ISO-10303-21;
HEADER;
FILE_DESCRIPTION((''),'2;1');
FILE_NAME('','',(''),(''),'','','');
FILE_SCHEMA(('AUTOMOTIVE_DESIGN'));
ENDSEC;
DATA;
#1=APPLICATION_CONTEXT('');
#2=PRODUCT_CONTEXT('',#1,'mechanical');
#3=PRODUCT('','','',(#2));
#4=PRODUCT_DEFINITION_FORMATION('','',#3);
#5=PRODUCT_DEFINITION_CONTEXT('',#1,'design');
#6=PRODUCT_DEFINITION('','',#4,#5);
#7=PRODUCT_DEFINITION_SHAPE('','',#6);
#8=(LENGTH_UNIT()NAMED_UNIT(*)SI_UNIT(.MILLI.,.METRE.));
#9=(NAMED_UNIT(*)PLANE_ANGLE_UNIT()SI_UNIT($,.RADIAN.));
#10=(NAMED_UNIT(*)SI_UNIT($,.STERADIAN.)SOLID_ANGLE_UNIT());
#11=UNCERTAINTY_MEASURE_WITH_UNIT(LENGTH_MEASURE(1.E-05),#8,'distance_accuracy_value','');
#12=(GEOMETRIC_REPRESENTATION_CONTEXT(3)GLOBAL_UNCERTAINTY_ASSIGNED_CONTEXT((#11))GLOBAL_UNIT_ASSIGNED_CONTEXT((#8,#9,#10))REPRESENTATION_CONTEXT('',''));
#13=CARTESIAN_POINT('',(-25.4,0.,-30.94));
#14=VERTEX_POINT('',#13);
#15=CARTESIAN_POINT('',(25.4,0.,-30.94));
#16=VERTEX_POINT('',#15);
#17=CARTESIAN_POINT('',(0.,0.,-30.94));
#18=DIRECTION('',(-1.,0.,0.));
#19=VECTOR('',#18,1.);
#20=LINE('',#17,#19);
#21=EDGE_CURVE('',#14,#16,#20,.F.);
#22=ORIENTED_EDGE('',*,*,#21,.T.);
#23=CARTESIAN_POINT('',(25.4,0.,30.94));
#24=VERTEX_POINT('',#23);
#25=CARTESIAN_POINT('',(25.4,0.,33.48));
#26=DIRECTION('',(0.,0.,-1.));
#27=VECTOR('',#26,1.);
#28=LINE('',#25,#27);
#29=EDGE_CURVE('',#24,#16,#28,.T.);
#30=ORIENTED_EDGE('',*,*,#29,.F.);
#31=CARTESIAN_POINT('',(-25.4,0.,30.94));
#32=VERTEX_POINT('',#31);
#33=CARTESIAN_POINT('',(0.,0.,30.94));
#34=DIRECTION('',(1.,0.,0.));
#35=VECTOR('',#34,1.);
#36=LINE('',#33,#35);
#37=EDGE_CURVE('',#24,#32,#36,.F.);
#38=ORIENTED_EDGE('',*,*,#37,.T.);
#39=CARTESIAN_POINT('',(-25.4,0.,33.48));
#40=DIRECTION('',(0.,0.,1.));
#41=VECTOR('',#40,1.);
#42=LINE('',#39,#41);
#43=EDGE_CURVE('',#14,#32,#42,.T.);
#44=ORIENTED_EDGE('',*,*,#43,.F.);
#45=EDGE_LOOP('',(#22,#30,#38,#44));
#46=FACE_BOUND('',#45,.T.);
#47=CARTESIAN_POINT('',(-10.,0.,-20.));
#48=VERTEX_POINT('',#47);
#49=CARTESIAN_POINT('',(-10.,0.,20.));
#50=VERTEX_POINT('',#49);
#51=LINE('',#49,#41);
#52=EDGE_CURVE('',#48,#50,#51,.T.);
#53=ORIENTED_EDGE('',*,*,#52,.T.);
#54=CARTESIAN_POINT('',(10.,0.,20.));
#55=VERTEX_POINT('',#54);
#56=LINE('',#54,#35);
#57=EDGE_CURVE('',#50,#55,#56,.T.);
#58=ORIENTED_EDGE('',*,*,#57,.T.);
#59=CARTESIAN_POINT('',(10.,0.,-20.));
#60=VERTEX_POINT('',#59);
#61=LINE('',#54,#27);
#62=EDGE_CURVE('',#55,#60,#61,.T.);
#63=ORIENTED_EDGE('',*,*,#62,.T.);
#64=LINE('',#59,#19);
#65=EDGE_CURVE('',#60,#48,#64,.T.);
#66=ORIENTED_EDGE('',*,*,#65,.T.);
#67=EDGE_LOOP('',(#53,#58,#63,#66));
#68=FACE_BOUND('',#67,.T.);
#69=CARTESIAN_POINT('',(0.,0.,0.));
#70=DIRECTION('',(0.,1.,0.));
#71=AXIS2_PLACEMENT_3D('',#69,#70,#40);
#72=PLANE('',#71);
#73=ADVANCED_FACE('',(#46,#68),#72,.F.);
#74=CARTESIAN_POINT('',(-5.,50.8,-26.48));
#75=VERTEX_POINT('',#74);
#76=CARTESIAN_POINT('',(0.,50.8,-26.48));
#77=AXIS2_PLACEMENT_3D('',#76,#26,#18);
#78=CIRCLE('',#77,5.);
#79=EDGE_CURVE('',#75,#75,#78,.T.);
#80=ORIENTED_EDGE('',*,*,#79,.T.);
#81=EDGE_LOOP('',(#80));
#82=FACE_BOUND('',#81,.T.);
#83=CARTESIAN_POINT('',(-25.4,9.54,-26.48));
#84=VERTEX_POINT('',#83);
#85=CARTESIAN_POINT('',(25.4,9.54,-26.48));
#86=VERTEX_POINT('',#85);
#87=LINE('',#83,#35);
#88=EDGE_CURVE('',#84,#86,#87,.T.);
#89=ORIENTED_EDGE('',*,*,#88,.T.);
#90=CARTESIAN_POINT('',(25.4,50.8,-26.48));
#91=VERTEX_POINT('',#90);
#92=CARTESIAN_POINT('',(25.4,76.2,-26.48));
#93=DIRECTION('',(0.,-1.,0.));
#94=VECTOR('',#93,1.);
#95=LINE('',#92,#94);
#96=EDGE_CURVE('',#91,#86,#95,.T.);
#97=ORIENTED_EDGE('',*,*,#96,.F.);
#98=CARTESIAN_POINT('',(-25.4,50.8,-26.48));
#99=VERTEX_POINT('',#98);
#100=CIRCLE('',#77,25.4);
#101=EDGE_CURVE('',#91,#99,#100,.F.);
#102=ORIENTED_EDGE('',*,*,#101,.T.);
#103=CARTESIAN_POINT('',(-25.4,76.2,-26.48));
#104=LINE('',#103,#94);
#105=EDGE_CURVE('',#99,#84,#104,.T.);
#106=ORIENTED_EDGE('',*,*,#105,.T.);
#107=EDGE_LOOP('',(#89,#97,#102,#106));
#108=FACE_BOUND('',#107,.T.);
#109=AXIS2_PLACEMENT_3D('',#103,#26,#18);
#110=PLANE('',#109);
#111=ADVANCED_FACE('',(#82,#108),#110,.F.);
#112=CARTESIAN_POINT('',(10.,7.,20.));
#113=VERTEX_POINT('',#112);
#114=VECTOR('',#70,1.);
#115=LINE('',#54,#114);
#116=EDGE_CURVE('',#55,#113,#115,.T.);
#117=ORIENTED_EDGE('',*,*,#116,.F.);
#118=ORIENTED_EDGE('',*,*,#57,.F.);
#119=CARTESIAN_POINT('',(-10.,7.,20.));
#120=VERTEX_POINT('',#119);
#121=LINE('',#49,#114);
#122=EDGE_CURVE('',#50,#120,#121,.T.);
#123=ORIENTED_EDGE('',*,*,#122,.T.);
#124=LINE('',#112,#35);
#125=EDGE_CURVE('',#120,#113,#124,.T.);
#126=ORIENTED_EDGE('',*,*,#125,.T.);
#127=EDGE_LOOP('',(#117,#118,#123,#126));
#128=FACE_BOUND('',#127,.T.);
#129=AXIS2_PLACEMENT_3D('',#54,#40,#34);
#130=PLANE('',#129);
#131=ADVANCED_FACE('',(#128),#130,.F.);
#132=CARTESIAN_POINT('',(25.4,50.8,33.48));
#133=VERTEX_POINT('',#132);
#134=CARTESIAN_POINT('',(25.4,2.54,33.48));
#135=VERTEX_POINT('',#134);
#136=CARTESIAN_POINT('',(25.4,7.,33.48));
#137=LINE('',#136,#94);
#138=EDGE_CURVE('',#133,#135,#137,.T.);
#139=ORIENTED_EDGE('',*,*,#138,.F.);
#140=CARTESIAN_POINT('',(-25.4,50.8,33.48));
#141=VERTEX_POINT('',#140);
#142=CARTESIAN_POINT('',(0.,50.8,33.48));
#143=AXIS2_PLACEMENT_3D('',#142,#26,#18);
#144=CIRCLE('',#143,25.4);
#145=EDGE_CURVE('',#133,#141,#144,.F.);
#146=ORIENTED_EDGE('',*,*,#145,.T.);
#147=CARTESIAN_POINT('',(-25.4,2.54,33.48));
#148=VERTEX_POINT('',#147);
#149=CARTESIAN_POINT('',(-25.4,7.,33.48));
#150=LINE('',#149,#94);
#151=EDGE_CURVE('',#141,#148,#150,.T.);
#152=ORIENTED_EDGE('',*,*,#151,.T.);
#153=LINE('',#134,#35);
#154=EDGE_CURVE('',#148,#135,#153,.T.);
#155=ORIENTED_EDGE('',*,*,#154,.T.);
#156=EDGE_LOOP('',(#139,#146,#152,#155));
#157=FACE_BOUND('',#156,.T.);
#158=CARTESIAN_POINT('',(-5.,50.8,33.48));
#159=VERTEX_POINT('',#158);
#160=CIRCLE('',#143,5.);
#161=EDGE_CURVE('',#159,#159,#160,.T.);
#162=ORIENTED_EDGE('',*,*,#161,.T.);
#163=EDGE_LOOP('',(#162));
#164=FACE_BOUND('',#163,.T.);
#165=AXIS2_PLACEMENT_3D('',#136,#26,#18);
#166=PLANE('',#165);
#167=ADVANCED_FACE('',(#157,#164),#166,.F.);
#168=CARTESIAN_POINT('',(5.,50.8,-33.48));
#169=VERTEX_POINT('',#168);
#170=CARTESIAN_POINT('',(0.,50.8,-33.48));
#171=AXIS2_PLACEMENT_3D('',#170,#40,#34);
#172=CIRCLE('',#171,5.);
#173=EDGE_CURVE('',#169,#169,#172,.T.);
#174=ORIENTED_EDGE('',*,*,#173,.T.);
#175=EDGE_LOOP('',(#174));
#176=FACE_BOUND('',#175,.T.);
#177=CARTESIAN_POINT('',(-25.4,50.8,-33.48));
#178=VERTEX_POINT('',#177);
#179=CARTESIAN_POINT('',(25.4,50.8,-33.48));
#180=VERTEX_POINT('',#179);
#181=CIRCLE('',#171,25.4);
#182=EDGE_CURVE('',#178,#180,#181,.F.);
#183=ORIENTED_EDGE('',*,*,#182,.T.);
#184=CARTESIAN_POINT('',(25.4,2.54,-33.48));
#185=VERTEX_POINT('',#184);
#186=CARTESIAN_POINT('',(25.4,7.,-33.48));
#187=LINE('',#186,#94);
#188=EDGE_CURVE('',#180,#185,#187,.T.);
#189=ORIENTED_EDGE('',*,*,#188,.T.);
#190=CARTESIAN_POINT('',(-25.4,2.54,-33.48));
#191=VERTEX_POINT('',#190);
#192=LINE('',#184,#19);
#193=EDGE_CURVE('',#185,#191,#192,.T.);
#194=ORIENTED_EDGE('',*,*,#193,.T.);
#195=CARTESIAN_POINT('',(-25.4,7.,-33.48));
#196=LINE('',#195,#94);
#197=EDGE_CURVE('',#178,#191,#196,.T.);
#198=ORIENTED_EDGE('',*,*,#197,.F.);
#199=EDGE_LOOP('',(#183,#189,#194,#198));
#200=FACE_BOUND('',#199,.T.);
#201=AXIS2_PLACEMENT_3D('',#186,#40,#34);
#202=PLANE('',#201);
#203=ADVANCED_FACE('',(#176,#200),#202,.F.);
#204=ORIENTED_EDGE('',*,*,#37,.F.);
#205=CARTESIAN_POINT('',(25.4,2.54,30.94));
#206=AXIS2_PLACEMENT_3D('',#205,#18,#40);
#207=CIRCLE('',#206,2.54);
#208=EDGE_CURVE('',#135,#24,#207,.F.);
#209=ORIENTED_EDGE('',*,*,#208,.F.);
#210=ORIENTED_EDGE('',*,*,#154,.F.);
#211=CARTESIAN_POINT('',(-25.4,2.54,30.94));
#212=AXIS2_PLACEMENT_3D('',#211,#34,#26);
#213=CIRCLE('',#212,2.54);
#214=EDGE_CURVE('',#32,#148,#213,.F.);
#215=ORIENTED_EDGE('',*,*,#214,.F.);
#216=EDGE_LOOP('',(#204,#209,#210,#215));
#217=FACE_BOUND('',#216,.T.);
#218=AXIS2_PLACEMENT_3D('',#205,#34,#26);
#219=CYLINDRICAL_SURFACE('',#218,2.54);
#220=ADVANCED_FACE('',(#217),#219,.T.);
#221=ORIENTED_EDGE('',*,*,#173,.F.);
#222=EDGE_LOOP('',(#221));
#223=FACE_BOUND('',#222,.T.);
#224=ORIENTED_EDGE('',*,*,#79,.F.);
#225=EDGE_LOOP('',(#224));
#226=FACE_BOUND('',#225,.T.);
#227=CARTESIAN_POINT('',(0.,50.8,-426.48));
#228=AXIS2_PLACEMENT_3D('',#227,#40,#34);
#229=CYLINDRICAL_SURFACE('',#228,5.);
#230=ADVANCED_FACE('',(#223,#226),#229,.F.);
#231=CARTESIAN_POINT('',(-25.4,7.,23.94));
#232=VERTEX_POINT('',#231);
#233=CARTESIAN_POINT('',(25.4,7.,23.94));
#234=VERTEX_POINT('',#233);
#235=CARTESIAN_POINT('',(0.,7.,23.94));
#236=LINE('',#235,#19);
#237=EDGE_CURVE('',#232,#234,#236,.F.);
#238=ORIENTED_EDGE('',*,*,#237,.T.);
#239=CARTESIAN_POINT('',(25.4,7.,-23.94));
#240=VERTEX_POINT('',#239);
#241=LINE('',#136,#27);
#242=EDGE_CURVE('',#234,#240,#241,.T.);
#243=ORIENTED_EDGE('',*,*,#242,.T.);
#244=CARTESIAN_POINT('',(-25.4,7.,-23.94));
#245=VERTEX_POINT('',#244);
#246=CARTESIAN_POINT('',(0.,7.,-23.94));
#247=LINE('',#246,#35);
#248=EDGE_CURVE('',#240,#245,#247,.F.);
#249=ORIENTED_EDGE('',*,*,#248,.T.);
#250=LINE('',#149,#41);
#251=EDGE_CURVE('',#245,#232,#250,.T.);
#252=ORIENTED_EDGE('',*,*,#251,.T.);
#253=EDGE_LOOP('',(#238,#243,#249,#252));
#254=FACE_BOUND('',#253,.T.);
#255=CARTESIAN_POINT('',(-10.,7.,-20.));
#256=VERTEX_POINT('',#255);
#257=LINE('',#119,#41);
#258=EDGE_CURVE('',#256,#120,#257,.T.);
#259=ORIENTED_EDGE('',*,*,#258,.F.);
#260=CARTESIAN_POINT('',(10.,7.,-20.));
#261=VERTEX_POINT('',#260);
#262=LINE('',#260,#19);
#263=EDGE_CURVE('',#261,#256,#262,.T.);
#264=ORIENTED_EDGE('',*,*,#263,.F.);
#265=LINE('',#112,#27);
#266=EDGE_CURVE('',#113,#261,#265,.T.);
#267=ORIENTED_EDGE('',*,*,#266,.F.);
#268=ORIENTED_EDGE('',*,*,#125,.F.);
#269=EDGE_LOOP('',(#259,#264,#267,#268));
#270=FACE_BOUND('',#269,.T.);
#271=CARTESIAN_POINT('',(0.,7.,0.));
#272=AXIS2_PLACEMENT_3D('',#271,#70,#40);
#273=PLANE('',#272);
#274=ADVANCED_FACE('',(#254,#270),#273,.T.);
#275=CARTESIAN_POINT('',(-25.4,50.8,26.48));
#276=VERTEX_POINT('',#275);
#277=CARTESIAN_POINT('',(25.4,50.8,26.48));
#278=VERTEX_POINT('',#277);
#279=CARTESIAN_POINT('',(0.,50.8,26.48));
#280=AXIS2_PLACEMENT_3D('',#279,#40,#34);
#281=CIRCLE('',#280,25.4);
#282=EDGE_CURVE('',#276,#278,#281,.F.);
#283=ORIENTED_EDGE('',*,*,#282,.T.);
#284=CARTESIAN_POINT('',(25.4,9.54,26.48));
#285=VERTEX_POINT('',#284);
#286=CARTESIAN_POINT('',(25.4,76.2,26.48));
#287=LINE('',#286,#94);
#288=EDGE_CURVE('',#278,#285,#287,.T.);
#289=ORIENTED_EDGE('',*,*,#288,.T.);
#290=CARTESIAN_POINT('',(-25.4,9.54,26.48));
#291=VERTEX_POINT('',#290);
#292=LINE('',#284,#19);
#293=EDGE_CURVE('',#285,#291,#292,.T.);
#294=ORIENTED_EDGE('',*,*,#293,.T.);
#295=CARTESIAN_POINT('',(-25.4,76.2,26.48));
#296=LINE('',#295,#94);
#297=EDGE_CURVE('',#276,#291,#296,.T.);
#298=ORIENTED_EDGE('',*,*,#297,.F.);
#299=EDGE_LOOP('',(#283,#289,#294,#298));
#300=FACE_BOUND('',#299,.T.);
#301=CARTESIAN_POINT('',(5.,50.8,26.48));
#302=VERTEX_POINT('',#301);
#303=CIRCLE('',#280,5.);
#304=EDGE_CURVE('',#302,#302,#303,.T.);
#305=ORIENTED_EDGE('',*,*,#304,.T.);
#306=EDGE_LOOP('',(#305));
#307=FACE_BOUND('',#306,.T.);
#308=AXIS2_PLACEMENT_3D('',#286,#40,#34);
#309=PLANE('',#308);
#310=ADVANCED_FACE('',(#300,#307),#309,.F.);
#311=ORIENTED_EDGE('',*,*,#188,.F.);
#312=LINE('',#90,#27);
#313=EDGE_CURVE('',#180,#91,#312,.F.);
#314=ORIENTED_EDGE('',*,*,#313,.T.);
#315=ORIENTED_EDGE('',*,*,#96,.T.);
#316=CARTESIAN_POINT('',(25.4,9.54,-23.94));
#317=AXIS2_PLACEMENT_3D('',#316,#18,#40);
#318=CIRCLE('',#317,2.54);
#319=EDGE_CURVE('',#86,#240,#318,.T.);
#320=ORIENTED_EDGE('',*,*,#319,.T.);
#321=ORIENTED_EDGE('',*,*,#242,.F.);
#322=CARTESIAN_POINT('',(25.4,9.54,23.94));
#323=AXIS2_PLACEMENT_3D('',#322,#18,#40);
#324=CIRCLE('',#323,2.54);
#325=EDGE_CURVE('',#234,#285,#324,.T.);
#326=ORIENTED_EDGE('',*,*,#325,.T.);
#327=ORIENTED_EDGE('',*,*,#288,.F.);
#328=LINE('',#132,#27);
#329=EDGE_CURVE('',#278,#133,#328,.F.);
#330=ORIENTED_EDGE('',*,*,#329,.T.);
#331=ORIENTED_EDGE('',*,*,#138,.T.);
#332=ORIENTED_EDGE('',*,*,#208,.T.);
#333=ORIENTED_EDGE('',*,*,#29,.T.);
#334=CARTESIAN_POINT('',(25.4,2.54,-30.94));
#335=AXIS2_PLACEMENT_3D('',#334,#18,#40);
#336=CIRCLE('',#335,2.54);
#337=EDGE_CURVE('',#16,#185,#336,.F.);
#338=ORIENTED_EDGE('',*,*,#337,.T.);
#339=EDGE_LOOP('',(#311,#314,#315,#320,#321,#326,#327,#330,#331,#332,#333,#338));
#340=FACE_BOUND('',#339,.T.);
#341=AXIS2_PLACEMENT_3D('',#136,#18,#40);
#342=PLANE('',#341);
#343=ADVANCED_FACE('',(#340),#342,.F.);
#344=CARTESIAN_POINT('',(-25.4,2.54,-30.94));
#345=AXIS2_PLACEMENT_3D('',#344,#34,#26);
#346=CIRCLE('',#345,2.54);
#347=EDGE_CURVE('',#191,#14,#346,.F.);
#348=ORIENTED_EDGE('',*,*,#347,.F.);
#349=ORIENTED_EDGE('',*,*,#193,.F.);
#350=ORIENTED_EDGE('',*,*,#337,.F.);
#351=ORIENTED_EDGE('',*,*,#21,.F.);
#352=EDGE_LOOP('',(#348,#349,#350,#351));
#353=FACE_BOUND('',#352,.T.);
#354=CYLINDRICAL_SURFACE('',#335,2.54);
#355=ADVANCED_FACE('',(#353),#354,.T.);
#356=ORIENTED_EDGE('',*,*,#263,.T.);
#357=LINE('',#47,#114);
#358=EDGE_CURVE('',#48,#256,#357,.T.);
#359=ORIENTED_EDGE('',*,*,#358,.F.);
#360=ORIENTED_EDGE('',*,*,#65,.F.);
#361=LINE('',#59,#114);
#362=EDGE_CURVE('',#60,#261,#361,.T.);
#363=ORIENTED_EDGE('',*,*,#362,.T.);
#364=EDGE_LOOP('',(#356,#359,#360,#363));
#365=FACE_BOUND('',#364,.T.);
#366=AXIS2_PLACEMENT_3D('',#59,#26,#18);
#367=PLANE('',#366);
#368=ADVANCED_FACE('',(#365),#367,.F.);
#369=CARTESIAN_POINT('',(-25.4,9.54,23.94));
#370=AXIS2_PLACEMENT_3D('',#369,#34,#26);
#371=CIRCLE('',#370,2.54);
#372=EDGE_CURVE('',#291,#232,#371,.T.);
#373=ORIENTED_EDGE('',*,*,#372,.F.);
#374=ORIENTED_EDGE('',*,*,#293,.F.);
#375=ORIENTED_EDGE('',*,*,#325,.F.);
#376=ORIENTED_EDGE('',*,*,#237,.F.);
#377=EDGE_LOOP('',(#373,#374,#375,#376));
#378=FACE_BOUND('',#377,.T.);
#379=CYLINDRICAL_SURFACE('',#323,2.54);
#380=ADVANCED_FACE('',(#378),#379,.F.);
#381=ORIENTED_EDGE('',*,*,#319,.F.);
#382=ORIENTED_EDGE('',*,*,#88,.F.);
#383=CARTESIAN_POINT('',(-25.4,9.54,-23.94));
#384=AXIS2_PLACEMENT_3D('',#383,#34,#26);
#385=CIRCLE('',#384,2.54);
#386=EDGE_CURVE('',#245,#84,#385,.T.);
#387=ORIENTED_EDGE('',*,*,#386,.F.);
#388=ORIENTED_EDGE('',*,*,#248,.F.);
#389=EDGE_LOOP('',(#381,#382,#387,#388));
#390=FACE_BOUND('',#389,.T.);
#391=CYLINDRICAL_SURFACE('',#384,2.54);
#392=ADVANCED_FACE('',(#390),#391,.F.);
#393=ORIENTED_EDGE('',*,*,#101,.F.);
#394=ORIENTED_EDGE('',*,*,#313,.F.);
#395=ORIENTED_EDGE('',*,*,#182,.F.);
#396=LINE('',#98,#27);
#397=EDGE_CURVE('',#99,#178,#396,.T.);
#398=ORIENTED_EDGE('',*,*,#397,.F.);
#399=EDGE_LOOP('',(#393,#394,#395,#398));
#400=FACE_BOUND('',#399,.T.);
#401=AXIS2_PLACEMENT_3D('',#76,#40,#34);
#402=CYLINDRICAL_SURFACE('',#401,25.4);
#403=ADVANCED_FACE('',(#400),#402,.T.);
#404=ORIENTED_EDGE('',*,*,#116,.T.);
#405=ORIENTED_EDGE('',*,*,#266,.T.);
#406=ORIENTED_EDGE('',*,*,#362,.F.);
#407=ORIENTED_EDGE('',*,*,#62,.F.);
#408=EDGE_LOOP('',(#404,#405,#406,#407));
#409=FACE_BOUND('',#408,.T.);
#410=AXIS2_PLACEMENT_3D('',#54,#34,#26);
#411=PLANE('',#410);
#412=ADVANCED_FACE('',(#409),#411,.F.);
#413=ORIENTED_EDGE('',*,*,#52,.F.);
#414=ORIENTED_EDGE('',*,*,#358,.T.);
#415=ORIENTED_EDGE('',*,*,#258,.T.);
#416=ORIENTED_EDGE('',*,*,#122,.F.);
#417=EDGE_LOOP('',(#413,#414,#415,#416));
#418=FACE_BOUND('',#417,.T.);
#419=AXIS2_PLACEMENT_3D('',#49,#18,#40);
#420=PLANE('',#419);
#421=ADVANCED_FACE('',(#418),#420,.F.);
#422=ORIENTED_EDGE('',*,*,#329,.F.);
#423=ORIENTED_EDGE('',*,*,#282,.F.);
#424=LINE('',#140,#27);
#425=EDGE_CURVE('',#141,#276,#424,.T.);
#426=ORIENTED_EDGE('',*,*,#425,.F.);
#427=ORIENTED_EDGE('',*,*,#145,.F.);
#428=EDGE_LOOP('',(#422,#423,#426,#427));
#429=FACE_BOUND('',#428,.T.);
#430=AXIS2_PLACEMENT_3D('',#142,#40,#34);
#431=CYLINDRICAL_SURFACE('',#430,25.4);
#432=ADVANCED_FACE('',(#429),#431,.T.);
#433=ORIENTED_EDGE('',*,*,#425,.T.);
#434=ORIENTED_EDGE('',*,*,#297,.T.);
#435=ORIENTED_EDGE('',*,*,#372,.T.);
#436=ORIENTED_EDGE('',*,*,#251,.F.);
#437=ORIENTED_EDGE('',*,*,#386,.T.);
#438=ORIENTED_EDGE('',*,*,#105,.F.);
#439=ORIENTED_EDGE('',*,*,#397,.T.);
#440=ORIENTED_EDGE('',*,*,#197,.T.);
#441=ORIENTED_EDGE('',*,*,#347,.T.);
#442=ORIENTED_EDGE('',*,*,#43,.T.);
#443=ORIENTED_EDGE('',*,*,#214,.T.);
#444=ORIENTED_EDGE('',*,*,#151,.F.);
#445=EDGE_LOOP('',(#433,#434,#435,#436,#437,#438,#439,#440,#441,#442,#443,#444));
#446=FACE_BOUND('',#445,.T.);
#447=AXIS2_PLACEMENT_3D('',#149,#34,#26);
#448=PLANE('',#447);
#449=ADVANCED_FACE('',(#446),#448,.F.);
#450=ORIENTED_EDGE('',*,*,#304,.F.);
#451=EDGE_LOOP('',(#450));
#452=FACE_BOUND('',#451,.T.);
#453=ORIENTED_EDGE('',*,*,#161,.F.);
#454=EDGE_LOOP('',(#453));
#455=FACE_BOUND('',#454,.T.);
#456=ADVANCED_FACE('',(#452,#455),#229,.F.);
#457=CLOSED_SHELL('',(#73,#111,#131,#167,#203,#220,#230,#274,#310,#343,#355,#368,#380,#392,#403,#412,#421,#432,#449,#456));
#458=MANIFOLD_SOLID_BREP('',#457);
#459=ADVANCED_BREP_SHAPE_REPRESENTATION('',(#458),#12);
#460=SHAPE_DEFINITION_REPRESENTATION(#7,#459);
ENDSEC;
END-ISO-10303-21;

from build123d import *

# Parameters (mm, degrees)
SKETCH1_W           = 50.8
SKETCH1_H           = 66.96
BOSS_EXTRUDE1_DEPTH = 7
SKETCH2_W           = 20
SKETCH2_H           = 40
CUT_EXTRUDE1_DEPTH  = 7
SKETCH3_W           = 50.8
SKETCH3_H           = 7
BOSS_EXTRUDE2_DEPTH = 69.2
FILLET2_RADIUS      = 25.4
FILLET2_LENGTH      = 7
FILLET3_RADIUS      = 25.4
FILLET3_LENGTH      = 7
SKETCH4_R           = 5
CUT_EXTRUDE2_DEPTH  = 400
FILLET5_R           = 2.54


with BuildPart() as part:
    # Sketch1 → Boss-Extrude1 (new body)
    with BuildSketch(Plane(origin=(0, 0, 0), x_dir=(1, 0, 0), z_dir=(0, 1, 0))):
        Rectangle(SKETCH1_W, SKETCH1_H)
    extrude(amount=BOSS_EXTRUDE1_DEPTH)

    # Sketch2 → Cut-Extrude1 (cut)
    with BuildSketch(Plane(origin=(0, 7, 0), x_dir=(1, 0, 0), z_dir=(0, 1, 0))):
        Rectangle(SKETCH2_W, SKETCH2_H)
    extrude(amount=-CUT_EXTRUDE1_DEPTH, mode=Mode.SUBTRACT)

    # Sketch3 → Boss-Extrude2 (add)
    with BuildSketch(Plane(origin=(0, 7, 0), x_dir=(1, 0, 0), z_dir=(0, 1, 0))):
        with Locations((0, 29.98)):
            Rectangle(SKETCH3_W, SKETCH3_H)
        with Locations((0, -29.98)):
            Rectangle(SKETCH3_W, SKETCH3_H)
    extrude(amount=BOSS_EXTRUDE2_DEPTH)

    # Fillet2: full round fillet: the end face becomes a half cylinder, R = half its width
    fillet2_face = Plane((0, 76.2, -29.98), x_dir=(0, 0, 1), z_dir=(0, 1, 0))  # on the end face: x along it, z out of the body
    fillet2_slab = fillet2_face.offset(-FILLET2_RADIUS / 2) * Box(FILLET2_LENGTH, 2 * FILLET2_RADIUS, FILLET2_RADIUS, mode=Mode.PRIVATE)  # the body's end, R deep
    fillet2_round = Plane((0, 50.8, -29.98), x_dir=(0, 1, 0), z_dir=(0, 0, 1)) * Cylinder(FILLET2_RADIUS, FILLET2_LENGTH, mode=Mode.PRIVATE)  # its axis R under the face
    add(fillet2_slab - fillet2_round, mode=Mode.SUBTRACT)

    # Fillet3: full round fillet: the end face becomes a half cylinder, R = half its width
    fillet3_face = Plane((0, 76.2, 29.98), x_dir=(0, 0, -1), z_dir=(0, 1, 0))  # on the end face: x along it, z out of the body
    fillet3_slab = fillet3_face.offset(-FILLET3_RADIUS / 2) * Box(FILLET3_LENGTH, 2 * FILLET3_RADIUS, FILLET3_RADIUS, mode=Mode.PRIVATE)  # the body's end, R deep
    fillet3_round = Plane((0, 50.8, 29.98), x_dir=(0, 1, 0), z_dir=(0, 0, -1)) * Cylinder(FILLET3_RADIUS, FILLET3_LENGTH, mode=Mode.PRIVATE)  # its axis R under the face
    add(fillet3_slab - fillet3_round, mode=Mode.SUBTRACT)

    # Sketch4 → Cut-Extrude2 (cut, symmetric)
    with BuildSketch(Plane.XY.offset(-26.48)):
        with Locations((0, 50.8)):
            Circle(SKETCH4_R)
    extrude(amount=CUT_EXTRUDE2_DEPTH, both=True, mode=Mode.SUBTRACT)

    # Fillet5
    fillet5_edges = [part.edges().sort_by_distance(p)[0] for p in [
        (0, 7, -26.48),
        (0, 7, 26.48),
        (0, 0, -33.48),
        (0, 0, 33.48),
    ]]
    fillet(fillet5_edges, radius=FILLET5_R)


solid = part.part
